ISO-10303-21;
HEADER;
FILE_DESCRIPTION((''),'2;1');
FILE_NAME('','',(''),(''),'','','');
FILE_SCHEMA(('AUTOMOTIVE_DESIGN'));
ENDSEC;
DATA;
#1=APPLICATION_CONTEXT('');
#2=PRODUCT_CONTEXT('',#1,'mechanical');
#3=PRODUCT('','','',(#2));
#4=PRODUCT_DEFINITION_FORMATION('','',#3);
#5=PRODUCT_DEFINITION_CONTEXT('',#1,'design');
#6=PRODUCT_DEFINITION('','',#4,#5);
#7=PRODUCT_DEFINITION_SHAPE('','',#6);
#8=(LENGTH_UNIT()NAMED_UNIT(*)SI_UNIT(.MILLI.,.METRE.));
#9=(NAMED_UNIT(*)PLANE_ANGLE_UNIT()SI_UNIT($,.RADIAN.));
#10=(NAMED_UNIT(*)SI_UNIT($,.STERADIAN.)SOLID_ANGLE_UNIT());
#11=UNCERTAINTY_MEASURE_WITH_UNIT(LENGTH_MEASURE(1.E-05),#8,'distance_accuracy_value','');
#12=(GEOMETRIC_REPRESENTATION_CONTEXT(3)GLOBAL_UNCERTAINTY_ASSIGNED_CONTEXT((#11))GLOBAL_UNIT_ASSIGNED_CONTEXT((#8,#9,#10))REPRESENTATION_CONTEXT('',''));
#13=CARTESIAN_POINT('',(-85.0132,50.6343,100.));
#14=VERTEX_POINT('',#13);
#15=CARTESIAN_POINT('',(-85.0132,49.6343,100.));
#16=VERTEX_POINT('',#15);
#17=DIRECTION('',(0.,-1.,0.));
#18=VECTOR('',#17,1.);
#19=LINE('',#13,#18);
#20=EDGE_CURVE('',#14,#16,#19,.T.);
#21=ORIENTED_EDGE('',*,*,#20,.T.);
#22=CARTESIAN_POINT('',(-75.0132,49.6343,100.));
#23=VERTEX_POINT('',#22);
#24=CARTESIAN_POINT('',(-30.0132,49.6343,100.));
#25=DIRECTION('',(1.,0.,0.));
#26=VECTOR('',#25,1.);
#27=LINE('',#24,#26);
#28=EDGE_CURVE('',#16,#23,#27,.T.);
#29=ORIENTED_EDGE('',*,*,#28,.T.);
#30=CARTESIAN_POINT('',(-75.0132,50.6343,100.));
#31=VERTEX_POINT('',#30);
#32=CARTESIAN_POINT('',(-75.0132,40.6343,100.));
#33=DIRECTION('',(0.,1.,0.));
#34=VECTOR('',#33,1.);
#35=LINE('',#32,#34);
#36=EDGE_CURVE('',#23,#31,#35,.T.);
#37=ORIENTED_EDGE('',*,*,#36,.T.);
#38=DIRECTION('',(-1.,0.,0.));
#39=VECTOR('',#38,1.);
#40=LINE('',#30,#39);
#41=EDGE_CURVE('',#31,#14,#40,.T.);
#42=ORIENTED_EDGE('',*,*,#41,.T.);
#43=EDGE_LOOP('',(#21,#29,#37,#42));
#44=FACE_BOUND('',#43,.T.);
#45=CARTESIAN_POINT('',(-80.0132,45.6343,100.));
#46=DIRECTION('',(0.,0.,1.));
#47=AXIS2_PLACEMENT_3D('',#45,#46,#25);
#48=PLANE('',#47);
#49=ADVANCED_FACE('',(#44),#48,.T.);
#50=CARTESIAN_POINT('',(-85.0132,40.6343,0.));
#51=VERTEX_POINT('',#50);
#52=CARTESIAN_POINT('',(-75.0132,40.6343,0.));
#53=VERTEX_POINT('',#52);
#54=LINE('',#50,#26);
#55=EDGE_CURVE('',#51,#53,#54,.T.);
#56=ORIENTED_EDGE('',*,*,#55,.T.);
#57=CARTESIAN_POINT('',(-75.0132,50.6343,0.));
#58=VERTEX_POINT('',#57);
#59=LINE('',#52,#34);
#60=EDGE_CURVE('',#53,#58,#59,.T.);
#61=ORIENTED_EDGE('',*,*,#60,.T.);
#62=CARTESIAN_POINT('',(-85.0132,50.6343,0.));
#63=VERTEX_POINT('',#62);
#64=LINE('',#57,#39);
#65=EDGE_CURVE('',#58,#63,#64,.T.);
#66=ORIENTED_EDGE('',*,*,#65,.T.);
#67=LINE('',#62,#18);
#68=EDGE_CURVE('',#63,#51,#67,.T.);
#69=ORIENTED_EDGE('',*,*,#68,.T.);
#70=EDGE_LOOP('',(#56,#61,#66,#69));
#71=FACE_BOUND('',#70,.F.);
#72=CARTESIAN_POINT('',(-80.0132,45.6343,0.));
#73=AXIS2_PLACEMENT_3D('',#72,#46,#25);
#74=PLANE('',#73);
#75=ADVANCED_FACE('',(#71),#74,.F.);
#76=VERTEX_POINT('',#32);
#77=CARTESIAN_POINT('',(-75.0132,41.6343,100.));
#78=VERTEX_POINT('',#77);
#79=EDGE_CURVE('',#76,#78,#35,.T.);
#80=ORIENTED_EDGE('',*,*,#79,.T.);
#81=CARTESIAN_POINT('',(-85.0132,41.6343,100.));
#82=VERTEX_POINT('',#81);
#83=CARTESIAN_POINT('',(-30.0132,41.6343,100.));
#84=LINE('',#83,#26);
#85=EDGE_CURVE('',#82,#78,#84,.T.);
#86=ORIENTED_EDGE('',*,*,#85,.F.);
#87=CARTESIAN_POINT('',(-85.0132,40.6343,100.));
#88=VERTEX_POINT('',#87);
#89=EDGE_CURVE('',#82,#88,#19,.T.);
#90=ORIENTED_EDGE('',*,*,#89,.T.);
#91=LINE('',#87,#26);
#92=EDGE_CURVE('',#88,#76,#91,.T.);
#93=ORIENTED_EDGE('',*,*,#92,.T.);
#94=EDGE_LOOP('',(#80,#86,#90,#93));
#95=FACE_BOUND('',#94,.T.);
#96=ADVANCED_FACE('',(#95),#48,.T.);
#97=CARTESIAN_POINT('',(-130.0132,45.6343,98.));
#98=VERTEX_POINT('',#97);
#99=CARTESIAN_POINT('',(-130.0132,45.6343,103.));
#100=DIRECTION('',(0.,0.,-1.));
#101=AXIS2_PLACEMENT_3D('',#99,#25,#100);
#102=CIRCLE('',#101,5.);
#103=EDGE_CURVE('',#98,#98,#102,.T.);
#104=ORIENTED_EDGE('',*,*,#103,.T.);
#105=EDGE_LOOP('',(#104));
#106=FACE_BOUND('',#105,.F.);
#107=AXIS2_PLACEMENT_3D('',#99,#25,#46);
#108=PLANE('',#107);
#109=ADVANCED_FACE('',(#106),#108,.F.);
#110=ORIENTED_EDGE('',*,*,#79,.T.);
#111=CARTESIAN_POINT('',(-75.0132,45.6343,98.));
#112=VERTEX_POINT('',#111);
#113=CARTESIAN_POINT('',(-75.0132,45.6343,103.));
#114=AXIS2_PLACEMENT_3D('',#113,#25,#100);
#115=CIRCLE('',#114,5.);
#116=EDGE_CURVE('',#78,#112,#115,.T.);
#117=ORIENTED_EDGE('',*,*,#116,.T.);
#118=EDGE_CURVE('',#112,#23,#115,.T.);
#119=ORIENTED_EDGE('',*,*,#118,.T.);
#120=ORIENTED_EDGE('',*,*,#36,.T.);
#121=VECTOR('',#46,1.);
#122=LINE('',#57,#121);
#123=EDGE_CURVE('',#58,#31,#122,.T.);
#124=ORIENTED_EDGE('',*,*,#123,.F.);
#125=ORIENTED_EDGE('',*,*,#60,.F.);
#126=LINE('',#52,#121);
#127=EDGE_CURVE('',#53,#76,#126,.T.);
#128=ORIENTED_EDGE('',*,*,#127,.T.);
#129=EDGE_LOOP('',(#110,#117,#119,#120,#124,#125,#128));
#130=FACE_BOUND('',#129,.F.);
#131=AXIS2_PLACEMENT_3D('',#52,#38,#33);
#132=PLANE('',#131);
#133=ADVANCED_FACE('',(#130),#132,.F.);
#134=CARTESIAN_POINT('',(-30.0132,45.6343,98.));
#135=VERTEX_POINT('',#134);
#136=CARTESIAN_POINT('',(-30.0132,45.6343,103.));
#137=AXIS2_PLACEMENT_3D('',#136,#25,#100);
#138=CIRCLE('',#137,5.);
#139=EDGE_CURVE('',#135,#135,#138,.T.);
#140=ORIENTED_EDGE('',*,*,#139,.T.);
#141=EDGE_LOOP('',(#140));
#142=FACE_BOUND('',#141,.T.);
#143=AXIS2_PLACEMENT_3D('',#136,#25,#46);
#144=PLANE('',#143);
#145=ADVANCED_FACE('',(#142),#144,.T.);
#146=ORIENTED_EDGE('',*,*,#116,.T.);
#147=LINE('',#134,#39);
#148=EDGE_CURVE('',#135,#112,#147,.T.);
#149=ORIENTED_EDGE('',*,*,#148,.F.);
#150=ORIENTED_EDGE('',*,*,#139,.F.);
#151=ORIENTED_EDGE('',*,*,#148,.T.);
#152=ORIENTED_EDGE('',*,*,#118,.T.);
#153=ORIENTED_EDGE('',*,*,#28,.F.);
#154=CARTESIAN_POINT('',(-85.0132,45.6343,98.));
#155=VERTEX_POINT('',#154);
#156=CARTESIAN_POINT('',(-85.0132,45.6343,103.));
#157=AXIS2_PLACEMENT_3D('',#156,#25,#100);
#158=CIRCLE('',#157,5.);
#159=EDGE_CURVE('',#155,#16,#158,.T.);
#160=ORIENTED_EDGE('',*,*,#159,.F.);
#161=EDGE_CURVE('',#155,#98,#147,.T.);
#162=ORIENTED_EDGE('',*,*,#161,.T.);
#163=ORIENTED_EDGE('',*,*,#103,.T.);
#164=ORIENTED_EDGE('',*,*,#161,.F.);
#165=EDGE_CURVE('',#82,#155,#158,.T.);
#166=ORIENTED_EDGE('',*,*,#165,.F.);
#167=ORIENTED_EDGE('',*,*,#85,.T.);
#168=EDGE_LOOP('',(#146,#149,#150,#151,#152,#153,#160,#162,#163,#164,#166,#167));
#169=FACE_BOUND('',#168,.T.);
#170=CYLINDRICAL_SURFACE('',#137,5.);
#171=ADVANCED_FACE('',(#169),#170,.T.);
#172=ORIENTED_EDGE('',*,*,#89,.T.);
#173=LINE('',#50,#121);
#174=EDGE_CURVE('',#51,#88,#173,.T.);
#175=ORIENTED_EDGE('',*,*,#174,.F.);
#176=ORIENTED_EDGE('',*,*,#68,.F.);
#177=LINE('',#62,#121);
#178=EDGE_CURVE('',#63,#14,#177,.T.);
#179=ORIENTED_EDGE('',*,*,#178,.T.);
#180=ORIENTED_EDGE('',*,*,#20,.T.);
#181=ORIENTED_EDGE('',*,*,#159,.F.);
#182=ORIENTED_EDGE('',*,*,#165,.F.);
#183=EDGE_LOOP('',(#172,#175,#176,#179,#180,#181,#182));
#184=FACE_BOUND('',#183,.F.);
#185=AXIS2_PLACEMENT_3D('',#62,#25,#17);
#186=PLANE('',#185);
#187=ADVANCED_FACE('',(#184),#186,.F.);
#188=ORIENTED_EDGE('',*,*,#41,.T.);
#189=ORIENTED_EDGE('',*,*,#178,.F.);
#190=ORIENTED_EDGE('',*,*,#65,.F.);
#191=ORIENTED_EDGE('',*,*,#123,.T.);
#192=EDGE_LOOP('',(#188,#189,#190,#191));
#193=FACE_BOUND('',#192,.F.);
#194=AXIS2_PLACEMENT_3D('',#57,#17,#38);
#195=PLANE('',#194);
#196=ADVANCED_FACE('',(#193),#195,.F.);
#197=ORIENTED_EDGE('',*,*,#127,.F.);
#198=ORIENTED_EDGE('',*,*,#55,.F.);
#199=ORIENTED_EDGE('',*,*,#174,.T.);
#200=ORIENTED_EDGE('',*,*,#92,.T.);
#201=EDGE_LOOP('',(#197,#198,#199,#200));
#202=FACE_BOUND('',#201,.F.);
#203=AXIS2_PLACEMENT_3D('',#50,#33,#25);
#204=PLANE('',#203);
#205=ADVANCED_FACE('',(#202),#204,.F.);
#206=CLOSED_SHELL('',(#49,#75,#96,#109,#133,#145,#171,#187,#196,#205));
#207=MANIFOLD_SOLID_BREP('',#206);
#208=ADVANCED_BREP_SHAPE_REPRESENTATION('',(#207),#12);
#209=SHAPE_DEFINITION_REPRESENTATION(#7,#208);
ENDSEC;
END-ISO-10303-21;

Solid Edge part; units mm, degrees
sketch "Sketch1" plane through (0, 0, 0) normal (0, 0, 1) x (1, 0, 0)
  line L0 (-85.0132, 40.6343) -> (-75.0132, 40.6343)
  line L1 (-75.0132, 40.6343) -> (-75.0132, 50.6343)
  line L2 (-75.0132, 50.6343) -> (-85.0132, 50.6343)
  line L3 (-85.0132, 50.6343) -> (-85.0132, 40.6343)
  dimension "D1" = 10
  dimension "D2" = 10
extrude "Protrusion1" add sketch "Sketch1" along normal blind 100
sketch "Sketch2" plane through (-30.0132, 45.6343, 50) normal (1, 0, 0) x (0, 0, -1)
  circle A0 centre (-53, 0) radius 5
  dimension "D1" = 3
extrude "ExtrudedProtrusion_2" add sketch "Sketch2" against normal blind 100
